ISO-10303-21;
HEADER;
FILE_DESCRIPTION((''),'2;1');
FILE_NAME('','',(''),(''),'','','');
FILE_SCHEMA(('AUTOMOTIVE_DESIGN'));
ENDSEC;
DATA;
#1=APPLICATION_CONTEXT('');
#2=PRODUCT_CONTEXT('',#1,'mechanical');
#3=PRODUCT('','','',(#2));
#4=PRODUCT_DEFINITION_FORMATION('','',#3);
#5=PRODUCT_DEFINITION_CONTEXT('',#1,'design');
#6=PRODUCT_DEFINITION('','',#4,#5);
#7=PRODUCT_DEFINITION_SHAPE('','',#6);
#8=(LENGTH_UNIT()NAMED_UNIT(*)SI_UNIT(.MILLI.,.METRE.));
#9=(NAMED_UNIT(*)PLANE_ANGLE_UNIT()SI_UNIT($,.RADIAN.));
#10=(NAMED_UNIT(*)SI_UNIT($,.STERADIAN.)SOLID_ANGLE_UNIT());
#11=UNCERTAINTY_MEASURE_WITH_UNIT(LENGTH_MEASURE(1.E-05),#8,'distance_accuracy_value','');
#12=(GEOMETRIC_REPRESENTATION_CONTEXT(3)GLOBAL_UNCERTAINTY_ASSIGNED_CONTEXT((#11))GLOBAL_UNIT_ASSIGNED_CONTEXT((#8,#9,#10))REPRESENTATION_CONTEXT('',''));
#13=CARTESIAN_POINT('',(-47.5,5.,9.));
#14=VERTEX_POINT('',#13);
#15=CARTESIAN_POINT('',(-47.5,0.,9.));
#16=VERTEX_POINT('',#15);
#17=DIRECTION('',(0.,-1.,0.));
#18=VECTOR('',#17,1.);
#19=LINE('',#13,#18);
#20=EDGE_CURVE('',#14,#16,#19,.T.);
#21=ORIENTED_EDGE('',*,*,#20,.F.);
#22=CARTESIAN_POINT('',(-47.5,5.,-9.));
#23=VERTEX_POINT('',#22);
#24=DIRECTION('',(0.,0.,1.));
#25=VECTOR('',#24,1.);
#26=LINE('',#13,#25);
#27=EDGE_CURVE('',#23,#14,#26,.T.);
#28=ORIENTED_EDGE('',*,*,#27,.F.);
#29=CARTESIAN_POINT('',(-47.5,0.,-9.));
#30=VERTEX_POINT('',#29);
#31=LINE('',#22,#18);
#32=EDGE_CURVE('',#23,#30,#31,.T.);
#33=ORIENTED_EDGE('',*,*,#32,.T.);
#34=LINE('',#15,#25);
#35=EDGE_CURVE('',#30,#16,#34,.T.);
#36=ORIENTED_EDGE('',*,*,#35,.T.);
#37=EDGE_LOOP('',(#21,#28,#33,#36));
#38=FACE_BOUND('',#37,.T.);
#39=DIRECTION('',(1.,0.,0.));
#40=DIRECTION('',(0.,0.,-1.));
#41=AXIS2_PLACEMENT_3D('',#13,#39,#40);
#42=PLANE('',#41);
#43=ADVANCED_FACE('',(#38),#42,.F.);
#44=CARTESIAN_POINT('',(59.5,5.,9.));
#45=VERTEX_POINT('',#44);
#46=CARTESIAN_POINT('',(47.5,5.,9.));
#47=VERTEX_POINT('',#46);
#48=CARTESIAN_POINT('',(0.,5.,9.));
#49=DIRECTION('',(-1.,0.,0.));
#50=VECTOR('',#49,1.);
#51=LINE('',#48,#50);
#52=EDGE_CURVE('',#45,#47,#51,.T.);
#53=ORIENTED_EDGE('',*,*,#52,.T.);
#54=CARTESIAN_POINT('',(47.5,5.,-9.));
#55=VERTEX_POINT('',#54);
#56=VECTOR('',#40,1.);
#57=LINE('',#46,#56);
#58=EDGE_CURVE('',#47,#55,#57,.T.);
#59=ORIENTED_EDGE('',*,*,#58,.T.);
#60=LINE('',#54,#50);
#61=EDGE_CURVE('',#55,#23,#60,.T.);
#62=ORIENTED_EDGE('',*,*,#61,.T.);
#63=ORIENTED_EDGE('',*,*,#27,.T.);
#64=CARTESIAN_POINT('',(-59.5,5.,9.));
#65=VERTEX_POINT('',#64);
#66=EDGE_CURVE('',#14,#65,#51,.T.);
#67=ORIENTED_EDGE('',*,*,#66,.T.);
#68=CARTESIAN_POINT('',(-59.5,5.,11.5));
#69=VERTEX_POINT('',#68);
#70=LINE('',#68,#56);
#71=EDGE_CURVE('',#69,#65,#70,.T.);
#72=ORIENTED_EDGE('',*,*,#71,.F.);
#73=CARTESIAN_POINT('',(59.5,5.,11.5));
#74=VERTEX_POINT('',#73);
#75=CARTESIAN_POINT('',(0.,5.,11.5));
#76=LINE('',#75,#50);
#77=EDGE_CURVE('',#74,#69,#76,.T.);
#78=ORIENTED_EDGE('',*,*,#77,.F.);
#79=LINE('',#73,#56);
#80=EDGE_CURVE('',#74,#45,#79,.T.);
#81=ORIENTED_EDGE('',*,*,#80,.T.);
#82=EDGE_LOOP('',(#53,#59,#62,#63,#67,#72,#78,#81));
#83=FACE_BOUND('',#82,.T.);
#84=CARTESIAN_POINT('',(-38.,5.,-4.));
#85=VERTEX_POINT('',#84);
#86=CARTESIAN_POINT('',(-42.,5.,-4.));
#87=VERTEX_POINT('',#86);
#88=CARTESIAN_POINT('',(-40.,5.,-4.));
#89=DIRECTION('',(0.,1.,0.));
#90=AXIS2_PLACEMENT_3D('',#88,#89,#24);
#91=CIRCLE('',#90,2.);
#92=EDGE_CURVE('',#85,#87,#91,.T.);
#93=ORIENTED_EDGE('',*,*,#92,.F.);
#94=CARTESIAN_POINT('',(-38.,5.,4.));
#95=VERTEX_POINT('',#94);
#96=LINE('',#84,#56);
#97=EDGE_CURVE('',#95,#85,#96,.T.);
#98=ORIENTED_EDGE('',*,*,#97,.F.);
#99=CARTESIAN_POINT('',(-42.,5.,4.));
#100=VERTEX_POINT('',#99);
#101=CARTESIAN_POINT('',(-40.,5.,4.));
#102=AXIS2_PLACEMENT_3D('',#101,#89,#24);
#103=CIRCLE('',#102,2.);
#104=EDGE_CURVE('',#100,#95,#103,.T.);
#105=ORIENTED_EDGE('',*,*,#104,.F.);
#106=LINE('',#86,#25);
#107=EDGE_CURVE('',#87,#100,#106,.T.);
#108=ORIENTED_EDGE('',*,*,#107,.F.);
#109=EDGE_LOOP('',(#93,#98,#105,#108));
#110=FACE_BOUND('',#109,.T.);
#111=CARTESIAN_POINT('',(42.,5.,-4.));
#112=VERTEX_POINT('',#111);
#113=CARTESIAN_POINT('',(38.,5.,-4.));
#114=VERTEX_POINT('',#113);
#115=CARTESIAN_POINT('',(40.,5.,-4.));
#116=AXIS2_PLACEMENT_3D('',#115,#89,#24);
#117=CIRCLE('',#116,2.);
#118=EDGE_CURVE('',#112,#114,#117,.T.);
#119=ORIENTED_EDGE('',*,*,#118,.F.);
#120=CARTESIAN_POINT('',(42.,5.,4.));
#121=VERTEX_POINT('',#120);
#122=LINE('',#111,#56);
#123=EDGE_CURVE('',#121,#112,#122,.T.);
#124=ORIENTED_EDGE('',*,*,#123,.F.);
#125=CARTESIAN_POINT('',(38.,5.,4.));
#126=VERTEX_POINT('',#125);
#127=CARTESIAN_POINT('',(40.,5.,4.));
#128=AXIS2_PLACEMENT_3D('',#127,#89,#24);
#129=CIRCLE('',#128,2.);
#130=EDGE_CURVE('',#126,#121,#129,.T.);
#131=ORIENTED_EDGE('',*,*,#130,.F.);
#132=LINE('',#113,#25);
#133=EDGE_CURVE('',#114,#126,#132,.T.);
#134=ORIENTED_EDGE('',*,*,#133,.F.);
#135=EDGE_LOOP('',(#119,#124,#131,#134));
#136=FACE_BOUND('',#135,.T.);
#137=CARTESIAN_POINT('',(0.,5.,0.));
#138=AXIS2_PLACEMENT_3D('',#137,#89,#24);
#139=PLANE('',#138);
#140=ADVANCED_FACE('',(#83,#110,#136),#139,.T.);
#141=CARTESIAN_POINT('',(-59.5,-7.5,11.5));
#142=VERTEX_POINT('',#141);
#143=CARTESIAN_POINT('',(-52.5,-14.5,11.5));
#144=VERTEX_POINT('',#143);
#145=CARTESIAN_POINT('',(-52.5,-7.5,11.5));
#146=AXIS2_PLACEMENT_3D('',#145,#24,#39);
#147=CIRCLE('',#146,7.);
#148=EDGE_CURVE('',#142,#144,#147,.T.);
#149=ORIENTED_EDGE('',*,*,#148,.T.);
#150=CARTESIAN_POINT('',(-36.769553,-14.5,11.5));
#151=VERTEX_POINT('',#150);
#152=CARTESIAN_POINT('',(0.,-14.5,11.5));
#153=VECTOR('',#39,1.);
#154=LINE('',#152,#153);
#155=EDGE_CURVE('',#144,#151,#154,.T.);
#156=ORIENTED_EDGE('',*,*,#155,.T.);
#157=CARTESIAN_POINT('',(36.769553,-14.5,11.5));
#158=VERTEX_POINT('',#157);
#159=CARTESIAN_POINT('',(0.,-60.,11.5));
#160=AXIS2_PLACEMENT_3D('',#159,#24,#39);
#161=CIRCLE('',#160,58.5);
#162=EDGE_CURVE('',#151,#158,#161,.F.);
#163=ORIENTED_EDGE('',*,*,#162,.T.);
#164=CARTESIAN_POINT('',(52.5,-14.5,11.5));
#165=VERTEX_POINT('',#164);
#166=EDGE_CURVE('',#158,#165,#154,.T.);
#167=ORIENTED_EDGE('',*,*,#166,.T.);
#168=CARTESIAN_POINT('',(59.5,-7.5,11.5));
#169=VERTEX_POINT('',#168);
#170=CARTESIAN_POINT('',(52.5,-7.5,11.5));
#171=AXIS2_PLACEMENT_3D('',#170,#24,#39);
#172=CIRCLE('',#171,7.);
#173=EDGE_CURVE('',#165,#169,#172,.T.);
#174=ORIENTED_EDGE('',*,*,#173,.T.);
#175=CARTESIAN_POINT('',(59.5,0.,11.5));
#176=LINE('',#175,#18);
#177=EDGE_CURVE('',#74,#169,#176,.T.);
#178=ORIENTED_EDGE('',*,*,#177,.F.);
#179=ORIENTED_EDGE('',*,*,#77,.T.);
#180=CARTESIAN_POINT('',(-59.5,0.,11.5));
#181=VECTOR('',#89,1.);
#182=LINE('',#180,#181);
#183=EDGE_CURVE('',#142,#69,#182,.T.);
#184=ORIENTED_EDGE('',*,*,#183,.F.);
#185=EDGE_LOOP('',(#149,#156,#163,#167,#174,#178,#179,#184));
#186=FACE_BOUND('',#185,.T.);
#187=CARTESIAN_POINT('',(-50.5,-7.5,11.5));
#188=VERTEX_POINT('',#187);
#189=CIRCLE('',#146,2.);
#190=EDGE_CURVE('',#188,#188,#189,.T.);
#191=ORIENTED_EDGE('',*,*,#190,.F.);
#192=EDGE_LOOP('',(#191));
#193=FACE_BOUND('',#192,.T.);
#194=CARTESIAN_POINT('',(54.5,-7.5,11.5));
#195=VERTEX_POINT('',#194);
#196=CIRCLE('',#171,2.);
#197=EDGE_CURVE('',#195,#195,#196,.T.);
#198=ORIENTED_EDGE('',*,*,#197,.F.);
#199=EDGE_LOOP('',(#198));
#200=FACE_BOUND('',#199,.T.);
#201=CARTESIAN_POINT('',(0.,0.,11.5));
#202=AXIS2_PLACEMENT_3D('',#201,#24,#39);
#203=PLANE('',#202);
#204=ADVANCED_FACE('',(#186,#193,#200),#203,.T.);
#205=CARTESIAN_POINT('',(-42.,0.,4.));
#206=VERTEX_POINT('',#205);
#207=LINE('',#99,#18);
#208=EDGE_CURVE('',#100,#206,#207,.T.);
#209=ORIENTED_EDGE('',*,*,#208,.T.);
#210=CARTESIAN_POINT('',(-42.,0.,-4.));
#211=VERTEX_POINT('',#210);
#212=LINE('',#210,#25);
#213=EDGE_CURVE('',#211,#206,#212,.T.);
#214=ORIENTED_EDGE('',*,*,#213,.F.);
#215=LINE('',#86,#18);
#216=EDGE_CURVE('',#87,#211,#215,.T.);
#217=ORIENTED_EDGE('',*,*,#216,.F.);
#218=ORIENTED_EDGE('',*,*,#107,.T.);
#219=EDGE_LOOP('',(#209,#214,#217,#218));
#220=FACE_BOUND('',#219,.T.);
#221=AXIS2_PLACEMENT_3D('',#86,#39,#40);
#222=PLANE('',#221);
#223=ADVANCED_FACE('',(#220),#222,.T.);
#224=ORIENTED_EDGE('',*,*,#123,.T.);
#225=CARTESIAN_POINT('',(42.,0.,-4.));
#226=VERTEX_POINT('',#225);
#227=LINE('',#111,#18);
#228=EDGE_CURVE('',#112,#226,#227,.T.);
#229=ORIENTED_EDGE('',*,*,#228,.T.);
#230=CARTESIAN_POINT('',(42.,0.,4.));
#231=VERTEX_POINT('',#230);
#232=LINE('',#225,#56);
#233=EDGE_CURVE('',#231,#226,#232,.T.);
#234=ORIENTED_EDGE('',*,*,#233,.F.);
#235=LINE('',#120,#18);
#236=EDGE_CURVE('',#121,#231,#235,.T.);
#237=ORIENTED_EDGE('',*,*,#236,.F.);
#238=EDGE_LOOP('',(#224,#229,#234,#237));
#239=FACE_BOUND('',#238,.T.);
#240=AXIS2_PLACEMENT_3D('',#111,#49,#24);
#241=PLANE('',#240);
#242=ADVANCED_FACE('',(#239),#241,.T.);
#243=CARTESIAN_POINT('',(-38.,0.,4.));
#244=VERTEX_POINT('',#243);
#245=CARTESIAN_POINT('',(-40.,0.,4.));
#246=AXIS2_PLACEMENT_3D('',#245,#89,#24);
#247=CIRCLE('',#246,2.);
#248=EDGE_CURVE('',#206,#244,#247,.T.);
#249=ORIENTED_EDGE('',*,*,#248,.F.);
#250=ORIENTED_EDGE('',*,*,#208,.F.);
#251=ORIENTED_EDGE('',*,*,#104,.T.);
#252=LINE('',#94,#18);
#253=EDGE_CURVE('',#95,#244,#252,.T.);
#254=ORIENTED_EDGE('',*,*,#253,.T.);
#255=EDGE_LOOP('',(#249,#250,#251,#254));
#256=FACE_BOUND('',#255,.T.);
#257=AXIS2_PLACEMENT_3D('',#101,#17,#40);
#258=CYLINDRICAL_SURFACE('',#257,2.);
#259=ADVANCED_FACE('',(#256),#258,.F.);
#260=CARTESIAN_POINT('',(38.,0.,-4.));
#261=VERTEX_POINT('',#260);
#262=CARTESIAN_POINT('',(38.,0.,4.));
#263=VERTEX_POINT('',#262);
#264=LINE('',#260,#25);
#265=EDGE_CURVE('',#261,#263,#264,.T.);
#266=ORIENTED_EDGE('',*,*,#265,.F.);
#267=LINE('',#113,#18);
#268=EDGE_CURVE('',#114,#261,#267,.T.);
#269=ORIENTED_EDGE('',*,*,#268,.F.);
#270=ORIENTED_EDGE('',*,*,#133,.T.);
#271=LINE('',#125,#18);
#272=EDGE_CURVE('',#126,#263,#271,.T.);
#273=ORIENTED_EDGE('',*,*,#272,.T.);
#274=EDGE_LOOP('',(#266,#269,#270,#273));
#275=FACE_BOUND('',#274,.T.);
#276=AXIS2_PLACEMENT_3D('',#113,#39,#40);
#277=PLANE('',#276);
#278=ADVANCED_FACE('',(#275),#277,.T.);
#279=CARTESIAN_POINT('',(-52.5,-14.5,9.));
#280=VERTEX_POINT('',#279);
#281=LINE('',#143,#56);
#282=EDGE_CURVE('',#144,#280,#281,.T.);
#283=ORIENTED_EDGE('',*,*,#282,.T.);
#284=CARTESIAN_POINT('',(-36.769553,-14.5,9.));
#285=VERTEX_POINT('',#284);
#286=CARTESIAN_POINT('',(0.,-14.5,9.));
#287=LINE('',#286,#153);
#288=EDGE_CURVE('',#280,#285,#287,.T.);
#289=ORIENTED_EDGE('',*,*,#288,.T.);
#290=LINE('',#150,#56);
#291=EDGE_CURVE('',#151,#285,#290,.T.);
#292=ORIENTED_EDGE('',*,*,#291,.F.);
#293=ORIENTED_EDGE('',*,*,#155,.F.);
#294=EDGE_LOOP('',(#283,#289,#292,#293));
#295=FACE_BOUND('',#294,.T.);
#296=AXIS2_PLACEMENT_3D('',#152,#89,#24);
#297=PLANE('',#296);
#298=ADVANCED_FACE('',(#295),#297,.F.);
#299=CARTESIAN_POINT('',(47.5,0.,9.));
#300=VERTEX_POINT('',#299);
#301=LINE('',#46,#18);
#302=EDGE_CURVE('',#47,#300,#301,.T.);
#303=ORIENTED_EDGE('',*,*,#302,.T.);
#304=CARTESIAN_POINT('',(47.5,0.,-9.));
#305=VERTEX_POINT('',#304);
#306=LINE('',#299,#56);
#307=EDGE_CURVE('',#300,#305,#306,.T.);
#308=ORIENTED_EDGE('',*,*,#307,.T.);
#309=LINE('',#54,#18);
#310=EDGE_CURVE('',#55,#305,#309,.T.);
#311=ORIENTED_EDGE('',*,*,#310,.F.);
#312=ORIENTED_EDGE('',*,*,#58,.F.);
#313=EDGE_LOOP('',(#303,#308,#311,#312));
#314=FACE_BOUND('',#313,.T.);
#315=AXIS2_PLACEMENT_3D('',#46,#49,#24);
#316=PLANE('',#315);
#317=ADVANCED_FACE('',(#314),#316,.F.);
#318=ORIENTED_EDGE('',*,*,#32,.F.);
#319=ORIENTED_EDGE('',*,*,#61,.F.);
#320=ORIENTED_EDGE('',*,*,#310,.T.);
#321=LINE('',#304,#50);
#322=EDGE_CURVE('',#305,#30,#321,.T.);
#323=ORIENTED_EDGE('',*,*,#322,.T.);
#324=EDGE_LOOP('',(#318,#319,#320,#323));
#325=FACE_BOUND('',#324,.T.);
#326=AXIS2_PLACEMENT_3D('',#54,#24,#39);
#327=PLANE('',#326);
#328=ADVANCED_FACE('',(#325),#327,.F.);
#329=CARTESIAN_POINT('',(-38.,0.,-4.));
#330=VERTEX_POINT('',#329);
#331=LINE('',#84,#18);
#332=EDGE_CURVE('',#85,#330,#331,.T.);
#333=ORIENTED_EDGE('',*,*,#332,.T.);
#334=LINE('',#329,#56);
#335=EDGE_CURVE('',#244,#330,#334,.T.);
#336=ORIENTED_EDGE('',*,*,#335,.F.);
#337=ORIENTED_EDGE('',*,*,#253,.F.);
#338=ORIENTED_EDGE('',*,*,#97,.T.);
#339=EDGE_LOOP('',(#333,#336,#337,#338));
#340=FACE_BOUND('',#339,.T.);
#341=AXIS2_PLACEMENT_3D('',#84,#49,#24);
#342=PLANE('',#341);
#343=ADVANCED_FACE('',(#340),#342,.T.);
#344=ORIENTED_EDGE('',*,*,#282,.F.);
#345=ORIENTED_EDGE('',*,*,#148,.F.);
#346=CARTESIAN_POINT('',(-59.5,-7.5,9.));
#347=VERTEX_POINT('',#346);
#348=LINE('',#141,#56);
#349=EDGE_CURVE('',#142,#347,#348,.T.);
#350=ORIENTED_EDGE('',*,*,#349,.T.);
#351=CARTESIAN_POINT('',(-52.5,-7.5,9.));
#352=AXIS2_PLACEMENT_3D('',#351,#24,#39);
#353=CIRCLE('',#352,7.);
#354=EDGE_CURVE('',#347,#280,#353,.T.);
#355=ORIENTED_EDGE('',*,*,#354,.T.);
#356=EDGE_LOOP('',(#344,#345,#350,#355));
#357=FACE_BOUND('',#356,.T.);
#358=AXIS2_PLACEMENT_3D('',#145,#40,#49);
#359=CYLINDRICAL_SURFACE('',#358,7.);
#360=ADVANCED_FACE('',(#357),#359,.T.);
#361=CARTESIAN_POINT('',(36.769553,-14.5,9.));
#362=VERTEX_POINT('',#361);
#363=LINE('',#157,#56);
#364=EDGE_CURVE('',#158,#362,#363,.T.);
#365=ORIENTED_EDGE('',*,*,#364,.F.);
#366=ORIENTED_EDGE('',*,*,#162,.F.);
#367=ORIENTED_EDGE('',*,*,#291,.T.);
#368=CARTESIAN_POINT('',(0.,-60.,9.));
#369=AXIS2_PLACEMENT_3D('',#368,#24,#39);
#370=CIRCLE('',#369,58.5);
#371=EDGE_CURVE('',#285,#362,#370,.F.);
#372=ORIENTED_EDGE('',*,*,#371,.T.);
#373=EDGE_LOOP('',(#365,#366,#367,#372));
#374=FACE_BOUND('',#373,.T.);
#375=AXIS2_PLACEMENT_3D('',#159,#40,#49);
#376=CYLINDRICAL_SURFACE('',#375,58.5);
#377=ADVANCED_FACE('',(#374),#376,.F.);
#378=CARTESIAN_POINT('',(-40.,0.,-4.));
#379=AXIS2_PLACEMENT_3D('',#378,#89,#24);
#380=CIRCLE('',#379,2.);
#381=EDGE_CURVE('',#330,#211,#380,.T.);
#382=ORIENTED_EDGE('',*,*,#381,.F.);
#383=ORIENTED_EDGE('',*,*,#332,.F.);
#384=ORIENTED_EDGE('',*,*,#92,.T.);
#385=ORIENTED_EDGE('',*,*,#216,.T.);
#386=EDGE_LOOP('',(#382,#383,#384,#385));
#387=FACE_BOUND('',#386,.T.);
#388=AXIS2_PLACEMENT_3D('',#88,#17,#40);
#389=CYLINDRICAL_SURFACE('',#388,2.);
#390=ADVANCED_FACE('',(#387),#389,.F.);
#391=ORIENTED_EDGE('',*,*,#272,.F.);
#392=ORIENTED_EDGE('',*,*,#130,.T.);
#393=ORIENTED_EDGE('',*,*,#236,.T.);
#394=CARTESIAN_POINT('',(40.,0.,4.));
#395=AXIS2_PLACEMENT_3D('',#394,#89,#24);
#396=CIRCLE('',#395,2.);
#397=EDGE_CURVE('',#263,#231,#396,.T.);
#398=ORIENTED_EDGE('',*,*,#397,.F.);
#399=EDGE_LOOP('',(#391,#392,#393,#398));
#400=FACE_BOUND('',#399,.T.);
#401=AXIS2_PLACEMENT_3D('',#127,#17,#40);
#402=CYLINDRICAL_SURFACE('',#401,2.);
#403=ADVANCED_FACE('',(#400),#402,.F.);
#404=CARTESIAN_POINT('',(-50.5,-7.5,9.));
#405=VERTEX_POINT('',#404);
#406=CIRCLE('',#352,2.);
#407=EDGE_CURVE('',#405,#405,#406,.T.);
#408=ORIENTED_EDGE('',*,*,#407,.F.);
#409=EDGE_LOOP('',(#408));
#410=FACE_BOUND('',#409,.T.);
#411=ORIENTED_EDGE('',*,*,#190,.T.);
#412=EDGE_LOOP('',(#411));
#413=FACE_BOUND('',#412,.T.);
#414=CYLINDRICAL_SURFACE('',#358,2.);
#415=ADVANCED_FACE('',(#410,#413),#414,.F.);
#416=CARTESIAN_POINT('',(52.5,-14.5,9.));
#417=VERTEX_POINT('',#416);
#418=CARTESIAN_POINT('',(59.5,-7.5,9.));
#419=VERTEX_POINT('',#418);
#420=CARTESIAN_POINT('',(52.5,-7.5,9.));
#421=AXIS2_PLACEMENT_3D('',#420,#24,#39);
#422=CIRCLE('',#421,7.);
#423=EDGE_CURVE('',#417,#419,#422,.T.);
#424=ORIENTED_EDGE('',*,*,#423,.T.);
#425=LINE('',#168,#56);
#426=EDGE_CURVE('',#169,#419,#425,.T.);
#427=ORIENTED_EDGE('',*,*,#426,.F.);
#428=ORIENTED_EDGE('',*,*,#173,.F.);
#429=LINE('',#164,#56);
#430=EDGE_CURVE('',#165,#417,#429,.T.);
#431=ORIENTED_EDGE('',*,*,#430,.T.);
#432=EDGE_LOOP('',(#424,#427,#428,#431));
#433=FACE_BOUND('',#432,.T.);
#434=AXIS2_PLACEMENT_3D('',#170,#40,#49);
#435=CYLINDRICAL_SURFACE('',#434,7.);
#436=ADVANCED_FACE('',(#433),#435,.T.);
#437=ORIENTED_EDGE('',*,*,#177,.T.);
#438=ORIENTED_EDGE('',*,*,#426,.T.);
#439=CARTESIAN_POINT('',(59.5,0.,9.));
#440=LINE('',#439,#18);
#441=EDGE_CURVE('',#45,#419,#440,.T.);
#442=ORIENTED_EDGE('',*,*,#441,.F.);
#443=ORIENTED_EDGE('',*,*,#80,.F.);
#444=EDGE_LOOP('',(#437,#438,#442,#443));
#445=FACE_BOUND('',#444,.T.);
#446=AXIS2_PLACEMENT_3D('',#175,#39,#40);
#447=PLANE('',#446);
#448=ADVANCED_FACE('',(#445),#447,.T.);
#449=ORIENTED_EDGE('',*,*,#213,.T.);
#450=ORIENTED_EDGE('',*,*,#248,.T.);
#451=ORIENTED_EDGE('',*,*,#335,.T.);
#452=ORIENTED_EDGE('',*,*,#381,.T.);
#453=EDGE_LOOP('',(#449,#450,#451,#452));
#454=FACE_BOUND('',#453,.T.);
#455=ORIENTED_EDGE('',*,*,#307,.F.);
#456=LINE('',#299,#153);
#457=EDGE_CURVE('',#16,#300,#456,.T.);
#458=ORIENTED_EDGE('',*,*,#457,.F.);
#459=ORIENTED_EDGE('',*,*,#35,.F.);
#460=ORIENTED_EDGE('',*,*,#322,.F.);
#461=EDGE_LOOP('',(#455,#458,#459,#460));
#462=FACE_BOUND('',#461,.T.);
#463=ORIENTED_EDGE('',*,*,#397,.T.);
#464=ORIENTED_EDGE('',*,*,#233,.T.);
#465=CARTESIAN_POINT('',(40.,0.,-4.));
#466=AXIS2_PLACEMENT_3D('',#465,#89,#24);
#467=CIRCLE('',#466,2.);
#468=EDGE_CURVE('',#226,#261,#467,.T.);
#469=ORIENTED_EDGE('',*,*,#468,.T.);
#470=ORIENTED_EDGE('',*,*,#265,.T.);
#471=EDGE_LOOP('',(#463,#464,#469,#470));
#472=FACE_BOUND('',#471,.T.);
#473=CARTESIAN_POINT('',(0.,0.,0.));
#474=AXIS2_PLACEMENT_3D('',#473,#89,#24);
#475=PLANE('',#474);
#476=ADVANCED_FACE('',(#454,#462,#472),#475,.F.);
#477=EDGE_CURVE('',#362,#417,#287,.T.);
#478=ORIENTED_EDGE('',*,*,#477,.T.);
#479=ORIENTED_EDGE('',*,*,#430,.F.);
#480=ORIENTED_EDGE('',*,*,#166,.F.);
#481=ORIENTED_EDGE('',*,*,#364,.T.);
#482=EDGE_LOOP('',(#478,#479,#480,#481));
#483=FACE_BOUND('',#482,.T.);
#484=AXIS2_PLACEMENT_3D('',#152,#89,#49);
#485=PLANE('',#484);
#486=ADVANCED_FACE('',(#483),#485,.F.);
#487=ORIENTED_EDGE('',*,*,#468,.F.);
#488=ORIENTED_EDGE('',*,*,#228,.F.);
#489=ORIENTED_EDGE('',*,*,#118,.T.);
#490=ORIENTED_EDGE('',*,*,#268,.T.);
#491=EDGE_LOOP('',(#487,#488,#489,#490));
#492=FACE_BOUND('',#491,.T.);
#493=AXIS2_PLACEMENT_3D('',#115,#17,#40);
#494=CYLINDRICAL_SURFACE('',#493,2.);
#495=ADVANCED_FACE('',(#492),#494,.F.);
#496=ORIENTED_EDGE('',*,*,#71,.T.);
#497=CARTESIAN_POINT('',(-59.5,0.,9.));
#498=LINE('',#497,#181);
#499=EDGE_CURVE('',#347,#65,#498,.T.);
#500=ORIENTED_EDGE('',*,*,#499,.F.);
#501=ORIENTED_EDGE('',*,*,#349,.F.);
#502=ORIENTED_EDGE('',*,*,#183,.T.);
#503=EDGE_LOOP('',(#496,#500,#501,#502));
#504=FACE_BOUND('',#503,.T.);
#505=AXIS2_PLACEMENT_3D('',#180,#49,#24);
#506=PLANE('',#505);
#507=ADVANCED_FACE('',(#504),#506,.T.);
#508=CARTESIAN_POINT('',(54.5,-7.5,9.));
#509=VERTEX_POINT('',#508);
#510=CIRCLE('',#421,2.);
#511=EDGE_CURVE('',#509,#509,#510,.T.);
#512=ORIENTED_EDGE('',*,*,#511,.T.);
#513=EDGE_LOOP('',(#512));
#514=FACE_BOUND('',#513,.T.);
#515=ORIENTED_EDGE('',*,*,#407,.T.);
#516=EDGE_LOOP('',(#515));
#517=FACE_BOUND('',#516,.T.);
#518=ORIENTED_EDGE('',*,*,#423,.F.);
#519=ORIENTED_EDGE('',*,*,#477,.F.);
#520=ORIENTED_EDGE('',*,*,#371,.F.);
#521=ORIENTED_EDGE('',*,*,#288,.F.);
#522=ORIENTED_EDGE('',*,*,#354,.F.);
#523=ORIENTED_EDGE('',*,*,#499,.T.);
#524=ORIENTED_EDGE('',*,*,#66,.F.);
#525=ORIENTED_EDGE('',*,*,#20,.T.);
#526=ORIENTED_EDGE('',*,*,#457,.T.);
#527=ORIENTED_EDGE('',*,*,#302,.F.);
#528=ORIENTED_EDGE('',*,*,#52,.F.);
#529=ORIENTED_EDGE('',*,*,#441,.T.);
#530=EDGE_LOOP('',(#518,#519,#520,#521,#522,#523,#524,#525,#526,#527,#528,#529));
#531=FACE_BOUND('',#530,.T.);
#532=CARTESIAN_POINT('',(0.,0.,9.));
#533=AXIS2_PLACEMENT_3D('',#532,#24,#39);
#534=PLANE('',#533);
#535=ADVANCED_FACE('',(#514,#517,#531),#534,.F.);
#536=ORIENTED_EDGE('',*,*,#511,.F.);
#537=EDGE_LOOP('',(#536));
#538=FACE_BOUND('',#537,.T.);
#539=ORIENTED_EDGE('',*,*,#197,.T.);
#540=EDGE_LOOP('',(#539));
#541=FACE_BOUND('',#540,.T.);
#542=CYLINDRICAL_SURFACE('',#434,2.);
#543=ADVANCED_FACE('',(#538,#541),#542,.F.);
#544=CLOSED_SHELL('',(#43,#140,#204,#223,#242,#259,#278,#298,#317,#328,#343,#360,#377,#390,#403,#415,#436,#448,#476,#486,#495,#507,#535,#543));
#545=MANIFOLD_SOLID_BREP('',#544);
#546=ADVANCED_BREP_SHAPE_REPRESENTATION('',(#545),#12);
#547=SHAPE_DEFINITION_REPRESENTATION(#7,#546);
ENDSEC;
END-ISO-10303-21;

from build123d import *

# Parameters (mm, degrees)
SKETCH1_W           = 95
SKETCH1_H           = 18
BOSS_EXTRUDE1_DEPTH = 5
SKETCH2_R           = 2
SKETCH2_W           = 95
SKETCH2_H           = 5
BOSS_EXTRUDE2_DEPTH = 2.5


with BuildPart() as part:
    # Sketch1 → Boss-Extrude1 (new body)
    with BuildSketch(Plane(origin=(0, 0, 0), x_dir=(1, 0, 0), z_dir=(0, 1, 0))):
        Rectangle(SKETCH1_W, SKETCH1_H)
        with BuildLine():
            Line((-38, 4), (-38, -4))
            ThreePointArc((-38, -4), (-40, -6), (-42, -4))
            Line((-42, -4), (-42, 4))
            ThreePointArc((-42, 4), (-40, 6), (-38, 4))
        make_face(mode=Mode.SUBTRACT)
        with BuildLine():
            Line((42, 4), (42, -4))
            ThreePointArc((42, -4), (40, -6), (38, -4))
            Line((38, -4), (38, 4))
            ThreePointArc((38, 4), (40, 6), (42, 4))
        make_face(mode=Mode.SUBTRACT)
    extrude(amount=BOSS_EXTRUDE1_DEPTH)

    # Sketch2 → Boss-Extrude2 (add)
    # profile 1 of 2: a face of its own
    with BuildSketch(Plane.XY.offset(9)):
        with BuildLine():
            Line((-52.5, -14.5), (-36.769552622, -14.5))
            ThreePointArc((-36.769552622, -14.5), (0, -1.5), (36.769552622, -14.5))
            Line((36.769552622, -14.5), (52.5, -14.5))
            ThreePointArc((52.5, -14.5), (57.449747468, -12.449747468), (59.5, -7.5))
            Line((59.5, -7.5), (59.5, 5))
            Line((59.5, 5), (47.5, 5))
            Line((47.5, 5), (47.5, 0))
            Line((47.5, 0), (-47.5, 0))
            Line((-47.5, 0), (-47.5, 5))
            Line((-47.5, 5), (-59.5, 5))
            Line((-59.5, 5), (-59.5, -7.5))
            ThreePointArc((-59.5, -7.5), (-57.449747468, -12.449747468), (-52.5, -14.5))
        make_face()
        with Locations((-52.5, -7.5)):
            Circle(SKETCH2_R, mode=Mode.SUBTRACT)
        with Locations((52.5, -7.5)):
            Circle(SKETCH2_R, mode=Mode.SUBTRACT)
    # profile 2 of 2: a face of its own
    with BuildSketch(Plane.XY.offset(9)):
        with Locations((0, 2.5)):
            Rectangle(SKETCH2_W, SKETCH2_H)
    extrude(amount=BOSS_EXTRUDE2_DEPTH)


solid = part.part
